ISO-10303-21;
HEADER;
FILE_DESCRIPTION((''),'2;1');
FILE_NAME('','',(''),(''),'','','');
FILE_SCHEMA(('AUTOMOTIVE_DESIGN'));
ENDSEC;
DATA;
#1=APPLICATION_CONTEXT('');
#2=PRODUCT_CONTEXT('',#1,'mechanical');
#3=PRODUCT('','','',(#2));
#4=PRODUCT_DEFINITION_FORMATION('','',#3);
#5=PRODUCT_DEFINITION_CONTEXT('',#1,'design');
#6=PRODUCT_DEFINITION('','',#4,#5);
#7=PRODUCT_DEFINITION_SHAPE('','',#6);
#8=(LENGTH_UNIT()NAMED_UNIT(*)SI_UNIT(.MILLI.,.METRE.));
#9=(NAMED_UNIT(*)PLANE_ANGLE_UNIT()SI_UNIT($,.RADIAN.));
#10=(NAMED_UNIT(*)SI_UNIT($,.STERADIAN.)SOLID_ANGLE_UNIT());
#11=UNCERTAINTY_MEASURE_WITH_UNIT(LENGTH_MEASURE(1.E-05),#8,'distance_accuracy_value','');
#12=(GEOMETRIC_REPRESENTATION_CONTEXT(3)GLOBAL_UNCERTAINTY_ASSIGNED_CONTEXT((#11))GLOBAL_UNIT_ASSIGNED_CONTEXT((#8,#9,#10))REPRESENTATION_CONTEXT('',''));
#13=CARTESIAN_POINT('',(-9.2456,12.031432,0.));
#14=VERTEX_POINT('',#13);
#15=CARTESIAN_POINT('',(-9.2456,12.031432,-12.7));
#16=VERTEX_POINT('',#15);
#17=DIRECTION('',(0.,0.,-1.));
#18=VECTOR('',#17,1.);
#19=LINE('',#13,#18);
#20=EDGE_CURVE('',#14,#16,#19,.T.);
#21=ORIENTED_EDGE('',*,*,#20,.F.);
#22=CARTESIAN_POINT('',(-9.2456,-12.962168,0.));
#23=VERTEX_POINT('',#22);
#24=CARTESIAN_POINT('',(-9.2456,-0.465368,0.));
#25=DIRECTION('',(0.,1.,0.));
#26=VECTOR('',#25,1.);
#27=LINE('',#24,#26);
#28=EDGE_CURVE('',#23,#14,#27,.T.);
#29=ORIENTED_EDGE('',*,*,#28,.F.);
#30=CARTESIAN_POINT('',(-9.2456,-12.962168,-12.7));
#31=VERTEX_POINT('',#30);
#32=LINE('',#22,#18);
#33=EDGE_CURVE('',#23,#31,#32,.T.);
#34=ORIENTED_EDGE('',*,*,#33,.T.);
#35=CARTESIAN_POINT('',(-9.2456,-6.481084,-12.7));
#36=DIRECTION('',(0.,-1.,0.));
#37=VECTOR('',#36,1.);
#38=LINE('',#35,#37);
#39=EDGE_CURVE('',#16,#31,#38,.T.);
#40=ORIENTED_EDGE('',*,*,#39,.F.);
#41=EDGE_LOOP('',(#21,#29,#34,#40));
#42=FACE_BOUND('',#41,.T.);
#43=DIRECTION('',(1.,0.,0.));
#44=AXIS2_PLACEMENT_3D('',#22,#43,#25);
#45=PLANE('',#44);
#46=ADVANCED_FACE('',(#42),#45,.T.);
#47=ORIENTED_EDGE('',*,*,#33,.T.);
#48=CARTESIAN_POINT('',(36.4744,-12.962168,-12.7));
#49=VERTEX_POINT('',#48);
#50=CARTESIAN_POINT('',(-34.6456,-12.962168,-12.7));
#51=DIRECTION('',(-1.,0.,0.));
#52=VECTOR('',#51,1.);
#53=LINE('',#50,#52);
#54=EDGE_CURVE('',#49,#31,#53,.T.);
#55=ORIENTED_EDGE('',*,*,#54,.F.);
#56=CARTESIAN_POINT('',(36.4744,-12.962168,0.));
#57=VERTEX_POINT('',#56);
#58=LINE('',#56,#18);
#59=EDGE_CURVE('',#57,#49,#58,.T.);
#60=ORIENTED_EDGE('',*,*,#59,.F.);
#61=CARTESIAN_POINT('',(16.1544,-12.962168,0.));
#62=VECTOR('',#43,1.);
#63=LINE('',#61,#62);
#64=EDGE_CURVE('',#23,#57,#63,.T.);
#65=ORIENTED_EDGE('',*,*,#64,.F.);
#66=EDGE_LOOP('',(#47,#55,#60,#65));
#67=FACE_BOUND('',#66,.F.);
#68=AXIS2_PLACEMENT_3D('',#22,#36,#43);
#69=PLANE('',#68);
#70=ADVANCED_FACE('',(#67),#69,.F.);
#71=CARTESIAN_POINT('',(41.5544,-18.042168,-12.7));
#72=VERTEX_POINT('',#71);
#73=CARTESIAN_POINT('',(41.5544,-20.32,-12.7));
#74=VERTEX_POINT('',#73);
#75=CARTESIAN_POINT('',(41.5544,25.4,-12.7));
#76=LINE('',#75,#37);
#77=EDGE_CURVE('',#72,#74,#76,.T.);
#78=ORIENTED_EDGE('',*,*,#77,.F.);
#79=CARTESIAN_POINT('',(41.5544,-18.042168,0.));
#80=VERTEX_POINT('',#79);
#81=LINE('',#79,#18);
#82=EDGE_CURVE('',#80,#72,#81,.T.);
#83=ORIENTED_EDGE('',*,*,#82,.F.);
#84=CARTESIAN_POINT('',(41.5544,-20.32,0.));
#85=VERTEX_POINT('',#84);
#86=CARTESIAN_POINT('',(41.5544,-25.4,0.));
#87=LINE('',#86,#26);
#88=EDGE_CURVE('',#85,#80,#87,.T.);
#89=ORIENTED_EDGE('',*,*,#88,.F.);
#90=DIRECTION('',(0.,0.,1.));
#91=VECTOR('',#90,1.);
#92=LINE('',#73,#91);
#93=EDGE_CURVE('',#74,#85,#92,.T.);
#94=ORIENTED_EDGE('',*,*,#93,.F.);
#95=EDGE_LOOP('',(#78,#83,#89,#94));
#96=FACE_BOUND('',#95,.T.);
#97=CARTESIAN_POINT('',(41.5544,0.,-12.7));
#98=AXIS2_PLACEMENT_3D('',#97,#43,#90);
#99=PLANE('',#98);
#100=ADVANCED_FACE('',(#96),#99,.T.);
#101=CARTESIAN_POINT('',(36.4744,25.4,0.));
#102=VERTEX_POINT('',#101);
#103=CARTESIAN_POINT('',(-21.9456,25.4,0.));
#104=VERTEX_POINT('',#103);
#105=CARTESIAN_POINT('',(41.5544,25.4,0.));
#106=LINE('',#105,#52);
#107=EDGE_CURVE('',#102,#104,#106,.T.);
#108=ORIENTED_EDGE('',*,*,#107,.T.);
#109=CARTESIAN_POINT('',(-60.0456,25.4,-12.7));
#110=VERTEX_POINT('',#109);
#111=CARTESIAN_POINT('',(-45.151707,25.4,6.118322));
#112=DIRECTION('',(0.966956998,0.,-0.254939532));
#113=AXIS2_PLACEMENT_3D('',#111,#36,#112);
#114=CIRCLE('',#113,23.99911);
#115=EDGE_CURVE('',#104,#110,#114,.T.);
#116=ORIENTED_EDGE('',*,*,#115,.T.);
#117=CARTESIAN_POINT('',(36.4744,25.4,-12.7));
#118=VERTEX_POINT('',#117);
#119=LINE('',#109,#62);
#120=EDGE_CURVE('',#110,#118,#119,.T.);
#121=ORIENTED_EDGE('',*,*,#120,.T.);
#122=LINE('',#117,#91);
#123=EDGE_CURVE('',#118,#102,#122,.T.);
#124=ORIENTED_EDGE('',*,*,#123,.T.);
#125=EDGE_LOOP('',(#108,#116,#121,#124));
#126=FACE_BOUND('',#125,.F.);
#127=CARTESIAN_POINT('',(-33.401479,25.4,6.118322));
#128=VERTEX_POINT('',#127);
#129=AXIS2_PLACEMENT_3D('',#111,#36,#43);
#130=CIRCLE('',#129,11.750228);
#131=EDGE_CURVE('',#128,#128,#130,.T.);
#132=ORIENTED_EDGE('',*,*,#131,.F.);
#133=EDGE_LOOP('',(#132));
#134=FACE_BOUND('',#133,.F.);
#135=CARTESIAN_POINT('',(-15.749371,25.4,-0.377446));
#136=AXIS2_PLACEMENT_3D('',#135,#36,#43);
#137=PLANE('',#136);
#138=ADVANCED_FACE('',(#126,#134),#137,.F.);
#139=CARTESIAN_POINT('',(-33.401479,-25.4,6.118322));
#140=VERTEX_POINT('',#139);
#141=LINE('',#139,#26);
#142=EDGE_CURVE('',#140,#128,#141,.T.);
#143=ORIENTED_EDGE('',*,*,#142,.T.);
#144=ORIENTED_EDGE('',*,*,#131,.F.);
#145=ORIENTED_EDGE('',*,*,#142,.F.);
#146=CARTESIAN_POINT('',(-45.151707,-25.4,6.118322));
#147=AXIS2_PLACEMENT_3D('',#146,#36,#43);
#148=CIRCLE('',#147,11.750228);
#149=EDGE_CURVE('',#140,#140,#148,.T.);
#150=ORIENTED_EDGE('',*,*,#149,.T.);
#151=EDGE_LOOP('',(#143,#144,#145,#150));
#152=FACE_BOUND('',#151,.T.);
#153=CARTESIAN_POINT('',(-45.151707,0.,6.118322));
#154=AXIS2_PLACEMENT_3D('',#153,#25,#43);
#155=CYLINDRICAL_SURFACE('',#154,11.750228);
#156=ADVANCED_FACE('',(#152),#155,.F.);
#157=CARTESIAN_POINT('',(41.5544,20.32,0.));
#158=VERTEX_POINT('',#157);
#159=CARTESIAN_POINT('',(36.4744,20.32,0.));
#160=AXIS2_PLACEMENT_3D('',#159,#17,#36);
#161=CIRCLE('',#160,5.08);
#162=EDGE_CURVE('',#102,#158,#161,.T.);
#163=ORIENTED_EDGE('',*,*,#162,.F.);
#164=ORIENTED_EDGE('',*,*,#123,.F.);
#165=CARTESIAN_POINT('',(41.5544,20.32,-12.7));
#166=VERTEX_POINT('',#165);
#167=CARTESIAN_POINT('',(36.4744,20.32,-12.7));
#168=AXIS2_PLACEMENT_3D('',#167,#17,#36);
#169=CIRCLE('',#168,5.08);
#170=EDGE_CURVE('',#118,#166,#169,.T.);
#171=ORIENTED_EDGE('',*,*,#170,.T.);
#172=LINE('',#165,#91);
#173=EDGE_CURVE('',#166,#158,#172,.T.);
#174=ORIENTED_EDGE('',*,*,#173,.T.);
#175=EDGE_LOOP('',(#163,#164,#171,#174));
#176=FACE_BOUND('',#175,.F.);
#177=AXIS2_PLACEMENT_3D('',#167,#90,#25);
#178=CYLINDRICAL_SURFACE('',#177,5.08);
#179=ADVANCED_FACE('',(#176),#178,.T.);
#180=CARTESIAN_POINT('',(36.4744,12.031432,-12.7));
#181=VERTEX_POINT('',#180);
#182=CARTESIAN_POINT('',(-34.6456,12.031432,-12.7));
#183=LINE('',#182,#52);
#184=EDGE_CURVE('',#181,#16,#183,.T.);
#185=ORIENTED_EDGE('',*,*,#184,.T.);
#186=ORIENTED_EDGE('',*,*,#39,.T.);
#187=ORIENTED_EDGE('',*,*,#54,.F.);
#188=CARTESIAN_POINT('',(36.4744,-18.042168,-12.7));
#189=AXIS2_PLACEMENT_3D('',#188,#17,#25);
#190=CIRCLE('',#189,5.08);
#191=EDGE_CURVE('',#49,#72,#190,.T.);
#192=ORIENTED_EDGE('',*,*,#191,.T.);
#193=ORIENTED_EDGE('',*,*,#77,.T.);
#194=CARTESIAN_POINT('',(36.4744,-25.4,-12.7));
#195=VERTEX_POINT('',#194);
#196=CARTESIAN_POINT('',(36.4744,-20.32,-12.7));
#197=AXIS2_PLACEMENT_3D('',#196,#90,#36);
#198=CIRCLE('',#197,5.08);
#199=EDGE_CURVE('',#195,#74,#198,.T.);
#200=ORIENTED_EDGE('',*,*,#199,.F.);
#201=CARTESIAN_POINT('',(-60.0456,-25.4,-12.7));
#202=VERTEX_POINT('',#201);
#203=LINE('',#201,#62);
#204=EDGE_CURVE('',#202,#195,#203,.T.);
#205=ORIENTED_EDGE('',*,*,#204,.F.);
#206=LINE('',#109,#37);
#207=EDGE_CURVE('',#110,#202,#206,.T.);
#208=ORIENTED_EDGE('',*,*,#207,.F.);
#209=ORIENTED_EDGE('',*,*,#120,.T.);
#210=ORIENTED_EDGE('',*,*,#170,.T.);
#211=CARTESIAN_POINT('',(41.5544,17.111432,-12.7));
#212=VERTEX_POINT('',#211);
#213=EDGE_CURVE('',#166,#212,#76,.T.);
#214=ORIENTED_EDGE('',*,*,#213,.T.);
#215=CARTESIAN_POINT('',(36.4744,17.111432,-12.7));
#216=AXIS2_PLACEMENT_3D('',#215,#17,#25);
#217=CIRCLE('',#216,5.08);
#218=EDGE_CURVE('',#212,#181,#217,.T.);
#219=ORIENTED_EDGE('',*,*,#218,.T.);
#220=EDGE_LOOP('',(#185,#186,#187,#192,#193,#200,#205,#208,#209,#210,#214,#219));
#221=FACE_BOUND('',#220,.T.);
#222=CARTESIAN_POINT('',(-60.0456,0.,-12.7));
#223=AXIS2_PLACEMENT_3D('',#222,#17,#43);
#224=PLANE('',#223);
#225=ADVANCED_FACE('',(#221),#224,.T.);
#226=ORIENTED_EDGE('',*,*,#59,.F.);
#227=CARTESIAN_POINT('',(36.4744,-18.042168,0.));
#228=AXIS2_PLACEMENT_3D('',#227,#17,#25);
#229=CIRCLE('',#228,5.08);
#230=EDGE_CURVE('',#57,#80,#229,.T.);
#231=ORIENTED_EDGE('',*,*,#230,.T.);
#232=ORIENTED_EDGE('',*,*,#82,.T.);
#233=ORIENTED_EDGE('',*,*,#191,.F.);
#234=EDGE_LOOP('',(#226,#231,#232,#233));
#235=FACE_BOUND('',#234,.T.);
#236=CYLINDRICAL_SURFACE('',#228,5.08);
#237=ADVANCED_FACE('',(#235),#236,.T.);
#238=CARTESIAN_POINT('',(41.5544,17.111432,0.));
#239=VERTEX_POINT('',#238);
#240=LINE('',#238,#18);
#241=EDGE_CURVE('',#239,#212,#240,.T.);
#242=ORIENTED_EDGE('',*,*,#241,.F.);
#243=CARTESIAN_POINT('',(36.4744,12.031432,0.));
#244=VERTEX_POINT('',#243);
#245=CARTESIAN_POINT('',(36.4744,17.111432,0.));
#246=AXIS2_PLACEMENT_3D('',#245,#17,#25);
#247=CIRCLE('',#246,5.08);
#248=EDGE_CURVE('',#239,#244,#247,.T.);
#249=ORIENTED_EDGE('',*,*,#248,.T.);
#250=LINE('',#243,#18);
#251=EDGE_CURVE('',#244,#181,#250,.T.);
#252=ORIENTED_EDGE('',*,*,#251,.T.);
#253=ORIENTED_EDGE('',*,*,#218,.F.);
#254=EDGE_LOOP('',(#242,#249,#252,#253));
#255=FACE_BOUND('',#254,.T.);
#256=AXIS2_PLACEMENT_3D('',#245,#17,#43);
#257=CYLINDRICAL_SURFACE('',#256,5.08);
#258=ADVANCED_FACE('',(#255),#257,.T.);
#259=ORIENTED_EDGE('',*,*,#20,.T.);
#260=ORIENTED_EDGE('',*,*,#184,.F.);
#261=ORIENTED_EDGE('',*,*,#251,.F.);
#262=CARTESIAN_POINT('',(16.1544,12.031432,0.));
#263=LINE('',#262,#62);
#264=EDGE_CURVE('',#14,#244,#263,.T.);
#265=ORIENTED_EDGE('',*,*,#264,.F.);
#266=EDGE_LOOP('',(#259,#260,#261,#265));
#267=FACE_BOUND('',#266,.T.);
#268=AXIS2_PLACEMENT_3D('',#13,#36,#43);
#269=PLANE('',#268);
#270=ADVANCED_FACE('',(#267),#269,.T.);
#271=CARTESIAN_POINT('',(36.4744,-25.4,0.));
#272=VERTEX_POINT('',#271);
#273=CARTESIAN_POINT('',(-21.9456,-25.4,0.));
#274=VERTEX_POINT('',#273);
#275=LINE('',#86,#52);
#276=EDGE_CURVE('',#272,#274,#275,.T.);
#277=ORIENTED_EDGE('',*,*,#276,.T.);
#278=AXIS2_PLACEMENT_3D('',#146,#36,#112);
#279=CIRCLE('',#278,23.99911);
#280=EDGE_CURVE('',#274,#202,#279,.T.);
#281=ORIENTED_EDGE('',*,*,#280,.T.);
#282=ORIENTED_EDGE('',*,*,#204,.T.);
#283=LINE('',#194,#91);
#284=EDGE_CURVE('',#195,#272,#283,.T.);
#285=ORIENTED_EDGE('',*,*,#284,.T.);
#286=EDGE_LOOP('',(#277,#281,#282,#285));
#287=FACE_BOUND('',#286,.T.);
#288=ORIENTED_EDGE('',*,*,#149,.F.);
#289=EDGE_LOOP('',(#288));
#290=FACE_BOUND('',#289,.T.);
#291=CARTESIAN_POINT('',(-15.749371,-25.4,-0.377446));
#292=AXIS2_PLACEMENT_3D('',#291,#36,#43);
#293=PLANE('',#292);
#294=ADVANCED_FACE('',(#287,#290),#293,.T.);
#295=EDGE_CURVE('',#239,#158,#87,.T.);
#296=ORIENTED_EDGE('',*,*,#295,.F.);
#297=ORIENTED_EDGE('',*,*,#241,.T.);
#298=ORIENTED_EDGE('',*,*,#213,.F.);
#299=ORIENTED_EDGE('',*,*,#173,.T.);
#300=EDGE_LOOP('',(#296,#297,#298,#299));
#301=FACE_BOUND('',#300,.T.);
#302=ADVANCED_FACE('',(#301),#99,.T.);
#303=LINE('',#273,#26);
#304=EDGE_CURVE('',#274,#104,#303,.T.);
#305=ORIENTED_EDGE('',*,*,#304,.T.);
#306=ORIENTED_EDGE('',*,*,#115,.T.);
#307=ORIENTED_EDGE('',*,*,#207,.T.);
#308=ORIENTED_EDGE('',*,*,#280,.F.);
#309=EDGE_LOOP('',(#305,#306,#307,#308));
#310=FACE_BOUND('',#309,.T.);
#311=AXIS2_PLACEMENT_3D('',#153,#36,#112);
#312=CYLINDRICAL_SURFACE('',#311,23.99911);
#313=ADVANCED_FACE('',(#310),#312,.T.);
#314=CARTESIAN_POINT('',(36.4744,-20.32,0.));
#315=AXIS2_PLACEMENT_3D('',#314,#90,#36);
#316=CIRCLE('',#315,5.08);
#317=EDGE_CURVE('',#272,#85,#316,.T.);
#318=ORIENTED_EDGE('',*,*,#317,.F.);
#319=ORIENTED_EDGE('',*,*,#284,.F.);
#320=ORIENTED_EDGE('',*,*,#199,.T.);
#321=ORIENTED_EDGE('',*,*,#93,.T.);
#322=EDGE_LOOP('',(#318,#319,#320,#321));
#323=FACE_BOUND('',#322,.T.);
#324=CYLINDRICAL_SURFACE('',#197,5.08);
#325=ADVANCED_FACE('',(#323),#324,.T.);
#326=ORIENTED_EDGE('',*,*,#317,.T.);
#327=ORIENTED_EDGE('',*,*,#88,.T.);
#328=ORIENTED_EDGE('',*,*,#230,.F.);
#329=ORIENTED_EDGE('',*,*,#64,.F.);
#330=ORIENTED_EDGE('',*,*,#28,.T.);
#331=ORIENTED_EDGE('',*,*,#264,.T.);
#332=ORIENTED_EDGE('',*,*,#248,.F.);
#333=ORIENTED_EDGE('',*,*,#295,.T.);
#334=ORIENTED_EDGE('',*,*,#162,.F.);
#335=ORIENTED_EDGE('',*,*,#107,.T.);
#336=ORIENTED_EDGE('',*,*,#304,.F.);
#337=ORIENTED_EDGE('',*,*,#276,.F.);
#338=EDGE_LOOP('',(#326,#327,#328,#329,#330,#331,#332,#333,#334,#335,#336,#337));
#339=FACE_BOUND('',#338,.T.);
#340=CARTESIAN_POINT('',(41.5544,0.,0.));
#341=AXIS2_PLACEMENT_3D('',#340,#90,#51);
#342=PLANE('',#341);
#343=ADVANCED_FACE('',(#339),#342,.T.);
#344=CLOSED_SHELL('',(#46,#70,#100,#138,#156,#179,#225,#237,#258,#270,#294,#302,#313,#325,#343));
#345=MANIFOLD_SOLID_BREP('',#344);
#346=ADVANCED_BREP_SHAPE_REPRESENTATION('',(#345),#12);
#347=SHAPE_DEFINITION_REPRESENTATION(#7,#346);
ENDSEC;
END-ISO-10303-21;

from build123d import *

# Parameters (mm, degrees)
F0_R     = 11.7502279649
F1_DEPTH = 25.4
F2_DEPTH = 25.4
F3_W     = 50.8
F3_H     = 24.9936
F4_DEPTH = 25.4
F5_R     = 5.08
F6_R     = 5.08


with BuildPart() as f1:
    # F0 (on Front) → F1 (new body)
    with BuildSketch(Plane.XZ):
        with BuildLine():
            ThreePointArc((-21.9455999374, 0), (-52.740892143, 28.8858766168), (-60.0455999374, -12.7))
            Line((-60.0455999374, -12.7), (41.5544000626, -12.7))
            Line((41.5544000626, -12.7), (41.5544000626, 0))
            Line((41.5544000626, 0), (-21.9455999374, 0))
        make_face()
        with Locations((-45.1517072222, 6.1183218543)):
            Circle(F0_R, mode=Mode.SUBTRACT)
    extrude(amount=F1_DEPTH)

    # F2 (add): a face of the model
    f2_faces = [f1.faces().sort_by_distance(p)[0] for p in [
        (-23.82283695, 0, 2.1208901059),
    ]]
    extrude(f2_faces, amount=F2_DEPTH)

    # F3 (on face) → F4 (cut)
    with BuildSketch(Plane.XY):
        with Locations((16.1544000626, -0.4653680826)):
            Rectangle(F3_W, F3_H)
    extrude(amount=-F4_DEPTH, mode=Mode.SUBTRACT)

    # F5
    f5_edges = [f1.edges().sort_by_distance(p)[0] for p in [
        (41.5544, 12.031432, -6.35),
        (41.5544, 25.4, -6.35),
    ]]
    fillet(f5_edges, radius=F5_R)

    # F6
    f6_edges = [f1.edges().sort_by_distance(p)[0] for p in [
        (41.5544, -12.962168, -6.35),
        (41.5544, -25.4, -6.35),
    ]]
    fillet(f6_edges, radius=F6_R)


solid = f1.part
